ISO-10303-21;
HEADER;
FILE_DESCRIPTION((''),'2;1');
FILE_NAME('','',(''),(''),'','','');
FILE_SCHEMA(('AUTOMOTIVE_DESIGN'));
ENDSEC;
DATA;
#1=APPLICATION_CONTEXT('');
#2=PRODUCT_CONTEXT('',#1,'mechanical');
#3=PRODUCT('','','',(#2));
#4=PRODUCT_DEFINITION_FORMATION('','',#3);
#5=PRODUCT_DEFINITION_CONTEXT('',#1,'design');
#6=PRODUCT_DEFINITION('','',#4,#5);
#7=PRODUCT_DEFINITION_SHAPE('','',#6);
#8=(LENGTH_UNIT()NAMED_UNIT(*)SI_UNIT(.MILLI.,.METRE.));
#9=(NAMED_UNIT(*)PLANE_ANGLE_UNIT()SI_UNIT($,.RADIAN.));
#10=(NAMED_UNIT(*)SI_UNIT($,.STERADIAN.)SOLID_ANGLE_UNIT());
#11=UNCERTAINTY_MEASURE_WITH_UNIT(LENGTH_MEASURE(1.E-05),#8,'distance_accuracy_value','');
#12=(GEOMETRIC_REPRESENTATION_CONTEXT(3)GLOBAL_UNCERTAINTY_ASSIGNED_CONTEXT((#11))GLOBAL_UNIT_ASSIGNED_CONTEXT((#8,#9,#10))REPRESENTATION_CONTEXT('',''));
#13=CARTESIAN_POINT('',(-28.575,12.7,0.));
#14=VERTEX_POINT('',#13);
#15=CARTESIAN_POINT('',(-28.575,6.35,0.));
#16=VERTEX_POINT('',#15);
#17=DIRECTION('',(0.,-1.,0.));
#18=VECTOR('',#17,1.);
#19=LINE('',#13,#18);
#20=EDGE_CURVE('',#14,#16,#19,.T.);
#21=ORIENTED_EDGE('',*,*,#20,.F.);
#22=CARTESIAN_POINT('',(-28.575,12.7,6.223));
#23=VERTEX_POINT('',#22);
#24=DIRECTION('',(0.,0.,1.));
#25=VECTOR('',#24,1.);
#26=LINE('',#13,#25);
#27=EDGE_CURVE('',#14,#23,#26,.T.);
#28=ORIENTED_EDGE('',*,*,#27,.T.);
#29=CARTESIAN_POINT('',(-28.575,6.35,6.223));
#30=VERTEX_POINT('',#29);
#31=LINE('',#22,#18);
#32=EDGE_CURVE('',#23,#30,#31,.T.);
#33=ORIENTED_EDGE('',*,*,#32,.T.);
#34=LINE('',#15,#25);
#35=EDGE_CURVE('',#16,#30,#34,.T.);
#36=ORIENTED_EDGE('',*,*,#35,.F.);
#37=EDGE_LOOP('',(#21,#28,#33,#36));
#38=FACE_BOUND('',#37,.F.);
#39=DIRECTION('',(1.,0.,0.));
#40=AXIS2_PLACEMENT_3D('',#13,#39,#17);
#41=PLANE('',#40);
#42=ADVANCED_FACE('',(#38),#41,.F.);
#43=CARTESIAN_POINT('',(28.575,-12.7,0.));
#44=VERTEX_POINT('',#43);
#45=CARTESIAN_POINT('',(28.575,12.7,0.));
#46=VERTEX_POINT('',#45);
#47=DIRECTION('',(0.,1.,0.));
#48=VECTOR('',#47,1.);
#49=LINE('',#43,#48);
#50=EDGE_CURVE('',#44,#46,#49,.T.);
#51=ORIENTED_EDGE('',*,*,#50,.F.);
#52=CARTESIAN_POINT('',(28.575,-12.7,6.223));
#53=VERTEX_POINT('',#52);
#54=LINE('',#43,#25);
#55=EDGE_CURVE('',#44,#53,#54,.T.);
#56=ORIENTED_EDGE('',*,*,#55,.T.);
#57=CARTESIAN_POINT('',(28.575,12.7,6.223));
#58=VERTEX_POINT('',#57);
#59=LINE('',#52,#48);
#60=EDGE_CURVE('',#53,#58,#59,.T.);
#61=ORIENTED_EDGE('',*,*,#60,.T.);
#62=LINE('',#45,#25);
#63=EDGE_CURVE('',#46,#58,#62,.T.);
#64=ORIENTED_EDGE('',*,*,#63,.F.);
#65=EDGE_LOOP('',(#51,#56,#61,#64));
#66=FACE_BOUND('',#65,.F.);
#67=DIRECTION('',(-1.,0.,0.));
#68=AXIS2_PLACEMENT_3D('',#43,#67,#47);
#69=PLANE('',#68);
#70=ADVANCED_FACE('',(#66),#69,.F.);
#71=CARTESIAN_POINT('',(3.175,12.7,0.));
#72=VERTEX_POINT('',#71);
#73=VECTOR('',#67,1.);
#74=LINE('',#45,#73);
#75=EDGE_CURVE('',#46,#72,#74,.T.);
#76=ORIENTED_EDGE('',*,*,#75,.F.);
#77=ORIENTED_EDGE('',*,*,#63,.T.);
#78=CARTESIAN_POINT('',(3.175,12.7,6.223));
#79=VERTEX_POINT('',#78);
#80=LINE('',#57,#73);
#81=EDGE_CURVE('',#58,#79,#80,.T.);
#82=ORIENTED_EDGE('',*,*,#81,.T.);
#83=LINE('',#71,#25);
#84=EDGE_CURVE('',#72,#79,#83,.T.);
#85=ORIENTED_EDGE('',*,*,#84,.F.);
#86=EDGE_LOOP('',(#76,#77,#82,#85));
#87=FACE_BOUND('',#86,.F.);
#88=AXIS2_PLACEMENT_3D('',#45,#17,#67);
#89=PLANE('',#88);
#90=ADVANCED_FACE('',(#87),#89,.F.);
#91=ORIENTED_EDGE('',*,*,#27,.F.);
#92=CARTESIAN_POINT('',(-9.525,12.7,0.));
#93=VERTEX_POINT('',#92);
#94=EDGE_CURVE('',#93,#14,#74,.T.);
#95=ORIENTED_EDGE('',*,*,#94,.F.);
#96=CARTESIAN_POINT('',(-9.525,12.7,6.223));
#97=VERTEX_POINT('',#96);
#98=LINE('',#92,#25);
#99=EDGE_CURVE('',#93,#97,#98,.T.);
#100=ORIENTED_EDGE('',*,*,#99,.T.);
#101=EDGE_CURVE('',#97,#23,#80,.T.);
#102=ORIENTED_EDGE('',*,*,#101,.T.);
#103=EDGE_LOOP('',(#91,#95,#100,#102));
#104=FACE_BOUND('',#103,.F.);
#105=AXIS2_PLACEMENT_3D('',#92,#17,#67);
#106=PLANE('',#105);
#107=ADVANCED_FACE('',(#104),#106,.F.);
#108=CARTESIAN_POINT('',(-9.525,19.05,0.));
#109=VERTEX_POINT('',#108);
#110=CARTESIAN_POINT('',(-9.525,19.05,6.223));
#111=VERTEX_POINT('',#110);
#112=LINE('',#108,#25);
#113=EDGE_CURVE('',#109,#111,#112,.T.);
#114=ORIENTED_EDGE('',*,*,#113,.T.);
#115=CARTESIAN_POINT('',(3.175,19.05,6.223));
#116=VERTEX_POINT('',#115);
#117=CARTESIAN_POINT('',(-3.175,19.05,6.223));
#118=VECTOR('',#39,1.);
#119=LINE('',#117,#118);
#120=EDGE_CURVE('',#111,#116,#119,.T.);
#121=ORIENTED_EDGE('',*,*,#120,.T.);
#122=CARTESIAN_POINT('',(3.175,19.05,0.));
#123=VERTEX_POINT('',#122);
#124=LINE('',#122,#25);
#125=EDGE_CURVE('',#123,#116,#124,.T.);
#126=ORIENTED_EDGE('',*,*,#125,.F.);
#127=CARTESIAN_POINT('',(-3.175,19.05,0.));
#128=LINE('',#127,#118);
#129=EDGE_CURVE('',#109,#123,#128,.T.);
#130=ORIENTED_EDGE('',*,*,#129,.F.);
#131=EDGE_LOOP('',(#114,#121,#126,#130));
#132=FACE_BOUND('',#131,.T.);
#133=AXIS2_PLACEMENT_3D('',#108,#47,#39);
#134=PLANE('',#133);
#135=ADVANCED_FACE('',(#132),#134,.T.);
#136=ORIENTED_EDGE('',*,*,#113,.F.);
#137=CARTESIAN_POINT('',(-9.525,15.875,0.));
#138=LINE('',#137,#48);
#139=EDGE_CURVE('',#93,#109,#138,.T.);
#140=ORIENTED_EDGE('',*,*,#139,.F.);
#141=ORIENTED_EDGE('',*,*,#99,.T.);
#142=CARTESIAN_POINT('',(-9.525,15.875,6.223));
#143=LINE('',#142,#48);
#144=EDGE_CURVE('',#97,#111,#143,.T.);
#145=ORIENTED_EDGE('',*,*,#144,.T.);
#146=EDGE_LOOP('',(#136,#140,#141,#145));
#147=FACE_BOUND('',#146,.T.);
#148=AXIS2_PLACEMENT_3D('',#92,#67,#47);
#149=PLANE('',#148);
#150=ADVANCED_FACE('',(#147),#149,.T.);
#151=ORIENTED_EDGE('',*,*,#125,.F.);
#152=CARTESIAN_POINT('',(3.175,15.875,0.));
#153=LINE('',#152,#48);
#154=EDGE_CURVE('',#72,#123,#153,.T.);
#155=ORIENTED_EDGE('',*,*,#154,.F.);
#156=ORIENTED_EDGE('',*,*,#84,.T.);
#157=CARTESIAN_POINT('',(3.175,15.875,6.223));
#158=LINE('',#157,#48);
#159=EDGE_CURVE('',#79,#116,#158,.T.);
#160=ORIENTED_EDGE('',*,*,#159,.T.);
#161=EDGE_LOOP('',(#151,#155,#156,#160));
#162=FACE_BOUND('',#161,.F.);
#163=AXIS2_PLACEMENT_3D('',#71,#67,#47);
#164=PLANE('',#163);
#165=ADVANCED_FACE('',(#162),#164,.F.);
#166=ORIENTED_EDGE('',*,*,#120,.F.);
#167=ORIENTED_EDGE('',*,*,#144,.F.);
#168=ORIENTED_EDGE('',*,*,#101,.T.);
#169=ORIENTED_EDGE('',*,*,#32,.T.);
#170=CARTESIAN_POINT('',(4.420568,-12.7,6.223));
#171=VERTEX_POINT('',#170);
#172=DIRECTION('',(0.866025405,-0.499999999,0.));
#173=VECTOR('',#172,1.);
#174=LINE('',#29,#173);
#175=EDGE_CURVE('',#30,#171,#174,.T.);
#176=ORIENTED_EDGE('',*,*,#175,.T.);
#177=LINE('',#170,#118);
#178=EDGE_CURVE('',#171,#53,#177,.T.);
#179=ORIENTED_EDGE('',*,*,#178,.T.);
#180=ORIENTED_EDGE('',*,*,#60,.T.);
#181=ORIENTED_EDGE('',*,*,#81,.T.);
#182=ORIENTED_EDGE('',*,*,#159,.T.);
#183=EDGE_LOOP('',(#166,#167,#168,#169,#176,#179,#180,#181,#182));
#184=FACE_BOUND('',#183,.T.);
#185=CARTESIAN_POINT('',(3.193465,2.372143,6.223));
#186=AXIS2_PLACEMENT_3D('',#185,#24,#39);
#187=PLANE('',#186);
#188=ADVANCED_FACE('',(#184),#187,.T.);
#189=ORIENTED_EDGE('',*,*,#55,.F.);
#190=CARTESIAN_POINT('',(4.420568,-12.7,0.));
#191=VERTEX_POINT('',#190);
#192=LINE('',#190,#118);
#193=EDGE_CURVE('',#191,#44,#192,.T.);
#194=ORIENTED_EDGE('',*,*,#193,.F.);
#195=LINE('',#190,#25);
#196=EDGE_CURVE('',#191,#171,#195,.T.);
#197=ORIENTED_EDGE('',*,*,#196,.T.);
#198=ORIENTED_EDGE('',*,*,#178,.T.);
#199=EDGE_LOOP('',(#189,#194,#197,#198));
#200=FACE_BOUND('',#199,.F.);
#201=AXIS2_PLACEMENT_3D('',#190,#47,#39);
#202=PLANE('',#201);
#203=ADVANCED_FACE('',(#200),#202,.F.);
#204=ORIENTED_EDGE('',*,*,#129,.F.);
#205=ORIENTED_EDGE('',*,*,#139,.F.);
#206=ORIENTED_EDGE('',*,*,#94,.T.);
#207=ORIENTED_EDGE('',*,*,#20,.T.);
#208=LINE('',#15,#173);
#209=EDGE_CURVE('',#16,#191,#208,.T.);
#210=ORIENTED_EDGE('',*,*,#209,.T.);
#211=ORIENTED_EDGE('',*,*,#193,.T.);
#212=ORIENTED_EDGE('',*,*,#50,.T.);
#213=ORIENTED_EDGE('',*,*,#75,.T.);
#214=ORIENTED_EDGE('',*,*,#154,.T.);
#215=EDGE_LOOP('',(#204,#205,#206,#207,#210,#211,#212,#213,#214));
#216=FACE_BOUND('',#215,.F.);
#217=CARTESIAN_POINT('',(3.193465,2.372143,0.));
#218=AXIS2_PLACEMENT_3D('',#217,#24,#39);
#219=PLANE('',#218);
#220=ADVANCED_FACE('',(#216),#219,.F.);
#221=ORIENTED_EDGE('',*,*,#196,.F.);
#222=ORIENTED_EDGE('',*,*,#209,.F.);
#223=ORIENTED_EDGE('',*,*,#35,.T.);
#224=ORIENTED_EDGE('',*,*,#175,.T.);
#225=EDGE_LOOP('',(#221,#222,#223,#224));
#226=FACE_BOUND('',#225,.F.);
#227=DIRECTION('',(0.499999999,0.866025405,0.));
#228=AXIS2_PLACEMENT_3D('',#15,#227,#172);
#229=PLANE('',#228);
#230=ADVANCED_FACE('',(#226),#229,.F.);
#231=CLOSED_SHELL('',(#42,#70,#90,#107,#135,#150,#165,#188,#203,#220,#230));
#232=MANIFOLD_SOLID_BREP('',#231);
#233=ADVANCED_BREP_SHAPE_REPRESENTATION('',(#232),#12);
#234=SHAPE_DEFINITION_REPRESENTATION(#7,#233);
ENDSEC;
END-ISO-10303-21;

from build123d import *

# Parameters (mm, degrees)
F0_W     = 12.7
F0_H     = 6.35
F1_DEPTH = 6.223


with BuildPart() as f1:
    # F0 (on Top) → F1 (new body)
    with BuildSketch(Plane.XY):
        Polygon((4.420568, -12.7), (28.575, -12.7), (28.575, 12.7), (3.175, 12.7), (-9.525, 12.7), (-28.575, 12.7), (-28.575, 6.35), align=None)
        with Locations((-3.175, 15.875)):
            Rectangle(F0_W, F0_H)
    extrude(amount=F1_DEPTH)


solid = f1.part
